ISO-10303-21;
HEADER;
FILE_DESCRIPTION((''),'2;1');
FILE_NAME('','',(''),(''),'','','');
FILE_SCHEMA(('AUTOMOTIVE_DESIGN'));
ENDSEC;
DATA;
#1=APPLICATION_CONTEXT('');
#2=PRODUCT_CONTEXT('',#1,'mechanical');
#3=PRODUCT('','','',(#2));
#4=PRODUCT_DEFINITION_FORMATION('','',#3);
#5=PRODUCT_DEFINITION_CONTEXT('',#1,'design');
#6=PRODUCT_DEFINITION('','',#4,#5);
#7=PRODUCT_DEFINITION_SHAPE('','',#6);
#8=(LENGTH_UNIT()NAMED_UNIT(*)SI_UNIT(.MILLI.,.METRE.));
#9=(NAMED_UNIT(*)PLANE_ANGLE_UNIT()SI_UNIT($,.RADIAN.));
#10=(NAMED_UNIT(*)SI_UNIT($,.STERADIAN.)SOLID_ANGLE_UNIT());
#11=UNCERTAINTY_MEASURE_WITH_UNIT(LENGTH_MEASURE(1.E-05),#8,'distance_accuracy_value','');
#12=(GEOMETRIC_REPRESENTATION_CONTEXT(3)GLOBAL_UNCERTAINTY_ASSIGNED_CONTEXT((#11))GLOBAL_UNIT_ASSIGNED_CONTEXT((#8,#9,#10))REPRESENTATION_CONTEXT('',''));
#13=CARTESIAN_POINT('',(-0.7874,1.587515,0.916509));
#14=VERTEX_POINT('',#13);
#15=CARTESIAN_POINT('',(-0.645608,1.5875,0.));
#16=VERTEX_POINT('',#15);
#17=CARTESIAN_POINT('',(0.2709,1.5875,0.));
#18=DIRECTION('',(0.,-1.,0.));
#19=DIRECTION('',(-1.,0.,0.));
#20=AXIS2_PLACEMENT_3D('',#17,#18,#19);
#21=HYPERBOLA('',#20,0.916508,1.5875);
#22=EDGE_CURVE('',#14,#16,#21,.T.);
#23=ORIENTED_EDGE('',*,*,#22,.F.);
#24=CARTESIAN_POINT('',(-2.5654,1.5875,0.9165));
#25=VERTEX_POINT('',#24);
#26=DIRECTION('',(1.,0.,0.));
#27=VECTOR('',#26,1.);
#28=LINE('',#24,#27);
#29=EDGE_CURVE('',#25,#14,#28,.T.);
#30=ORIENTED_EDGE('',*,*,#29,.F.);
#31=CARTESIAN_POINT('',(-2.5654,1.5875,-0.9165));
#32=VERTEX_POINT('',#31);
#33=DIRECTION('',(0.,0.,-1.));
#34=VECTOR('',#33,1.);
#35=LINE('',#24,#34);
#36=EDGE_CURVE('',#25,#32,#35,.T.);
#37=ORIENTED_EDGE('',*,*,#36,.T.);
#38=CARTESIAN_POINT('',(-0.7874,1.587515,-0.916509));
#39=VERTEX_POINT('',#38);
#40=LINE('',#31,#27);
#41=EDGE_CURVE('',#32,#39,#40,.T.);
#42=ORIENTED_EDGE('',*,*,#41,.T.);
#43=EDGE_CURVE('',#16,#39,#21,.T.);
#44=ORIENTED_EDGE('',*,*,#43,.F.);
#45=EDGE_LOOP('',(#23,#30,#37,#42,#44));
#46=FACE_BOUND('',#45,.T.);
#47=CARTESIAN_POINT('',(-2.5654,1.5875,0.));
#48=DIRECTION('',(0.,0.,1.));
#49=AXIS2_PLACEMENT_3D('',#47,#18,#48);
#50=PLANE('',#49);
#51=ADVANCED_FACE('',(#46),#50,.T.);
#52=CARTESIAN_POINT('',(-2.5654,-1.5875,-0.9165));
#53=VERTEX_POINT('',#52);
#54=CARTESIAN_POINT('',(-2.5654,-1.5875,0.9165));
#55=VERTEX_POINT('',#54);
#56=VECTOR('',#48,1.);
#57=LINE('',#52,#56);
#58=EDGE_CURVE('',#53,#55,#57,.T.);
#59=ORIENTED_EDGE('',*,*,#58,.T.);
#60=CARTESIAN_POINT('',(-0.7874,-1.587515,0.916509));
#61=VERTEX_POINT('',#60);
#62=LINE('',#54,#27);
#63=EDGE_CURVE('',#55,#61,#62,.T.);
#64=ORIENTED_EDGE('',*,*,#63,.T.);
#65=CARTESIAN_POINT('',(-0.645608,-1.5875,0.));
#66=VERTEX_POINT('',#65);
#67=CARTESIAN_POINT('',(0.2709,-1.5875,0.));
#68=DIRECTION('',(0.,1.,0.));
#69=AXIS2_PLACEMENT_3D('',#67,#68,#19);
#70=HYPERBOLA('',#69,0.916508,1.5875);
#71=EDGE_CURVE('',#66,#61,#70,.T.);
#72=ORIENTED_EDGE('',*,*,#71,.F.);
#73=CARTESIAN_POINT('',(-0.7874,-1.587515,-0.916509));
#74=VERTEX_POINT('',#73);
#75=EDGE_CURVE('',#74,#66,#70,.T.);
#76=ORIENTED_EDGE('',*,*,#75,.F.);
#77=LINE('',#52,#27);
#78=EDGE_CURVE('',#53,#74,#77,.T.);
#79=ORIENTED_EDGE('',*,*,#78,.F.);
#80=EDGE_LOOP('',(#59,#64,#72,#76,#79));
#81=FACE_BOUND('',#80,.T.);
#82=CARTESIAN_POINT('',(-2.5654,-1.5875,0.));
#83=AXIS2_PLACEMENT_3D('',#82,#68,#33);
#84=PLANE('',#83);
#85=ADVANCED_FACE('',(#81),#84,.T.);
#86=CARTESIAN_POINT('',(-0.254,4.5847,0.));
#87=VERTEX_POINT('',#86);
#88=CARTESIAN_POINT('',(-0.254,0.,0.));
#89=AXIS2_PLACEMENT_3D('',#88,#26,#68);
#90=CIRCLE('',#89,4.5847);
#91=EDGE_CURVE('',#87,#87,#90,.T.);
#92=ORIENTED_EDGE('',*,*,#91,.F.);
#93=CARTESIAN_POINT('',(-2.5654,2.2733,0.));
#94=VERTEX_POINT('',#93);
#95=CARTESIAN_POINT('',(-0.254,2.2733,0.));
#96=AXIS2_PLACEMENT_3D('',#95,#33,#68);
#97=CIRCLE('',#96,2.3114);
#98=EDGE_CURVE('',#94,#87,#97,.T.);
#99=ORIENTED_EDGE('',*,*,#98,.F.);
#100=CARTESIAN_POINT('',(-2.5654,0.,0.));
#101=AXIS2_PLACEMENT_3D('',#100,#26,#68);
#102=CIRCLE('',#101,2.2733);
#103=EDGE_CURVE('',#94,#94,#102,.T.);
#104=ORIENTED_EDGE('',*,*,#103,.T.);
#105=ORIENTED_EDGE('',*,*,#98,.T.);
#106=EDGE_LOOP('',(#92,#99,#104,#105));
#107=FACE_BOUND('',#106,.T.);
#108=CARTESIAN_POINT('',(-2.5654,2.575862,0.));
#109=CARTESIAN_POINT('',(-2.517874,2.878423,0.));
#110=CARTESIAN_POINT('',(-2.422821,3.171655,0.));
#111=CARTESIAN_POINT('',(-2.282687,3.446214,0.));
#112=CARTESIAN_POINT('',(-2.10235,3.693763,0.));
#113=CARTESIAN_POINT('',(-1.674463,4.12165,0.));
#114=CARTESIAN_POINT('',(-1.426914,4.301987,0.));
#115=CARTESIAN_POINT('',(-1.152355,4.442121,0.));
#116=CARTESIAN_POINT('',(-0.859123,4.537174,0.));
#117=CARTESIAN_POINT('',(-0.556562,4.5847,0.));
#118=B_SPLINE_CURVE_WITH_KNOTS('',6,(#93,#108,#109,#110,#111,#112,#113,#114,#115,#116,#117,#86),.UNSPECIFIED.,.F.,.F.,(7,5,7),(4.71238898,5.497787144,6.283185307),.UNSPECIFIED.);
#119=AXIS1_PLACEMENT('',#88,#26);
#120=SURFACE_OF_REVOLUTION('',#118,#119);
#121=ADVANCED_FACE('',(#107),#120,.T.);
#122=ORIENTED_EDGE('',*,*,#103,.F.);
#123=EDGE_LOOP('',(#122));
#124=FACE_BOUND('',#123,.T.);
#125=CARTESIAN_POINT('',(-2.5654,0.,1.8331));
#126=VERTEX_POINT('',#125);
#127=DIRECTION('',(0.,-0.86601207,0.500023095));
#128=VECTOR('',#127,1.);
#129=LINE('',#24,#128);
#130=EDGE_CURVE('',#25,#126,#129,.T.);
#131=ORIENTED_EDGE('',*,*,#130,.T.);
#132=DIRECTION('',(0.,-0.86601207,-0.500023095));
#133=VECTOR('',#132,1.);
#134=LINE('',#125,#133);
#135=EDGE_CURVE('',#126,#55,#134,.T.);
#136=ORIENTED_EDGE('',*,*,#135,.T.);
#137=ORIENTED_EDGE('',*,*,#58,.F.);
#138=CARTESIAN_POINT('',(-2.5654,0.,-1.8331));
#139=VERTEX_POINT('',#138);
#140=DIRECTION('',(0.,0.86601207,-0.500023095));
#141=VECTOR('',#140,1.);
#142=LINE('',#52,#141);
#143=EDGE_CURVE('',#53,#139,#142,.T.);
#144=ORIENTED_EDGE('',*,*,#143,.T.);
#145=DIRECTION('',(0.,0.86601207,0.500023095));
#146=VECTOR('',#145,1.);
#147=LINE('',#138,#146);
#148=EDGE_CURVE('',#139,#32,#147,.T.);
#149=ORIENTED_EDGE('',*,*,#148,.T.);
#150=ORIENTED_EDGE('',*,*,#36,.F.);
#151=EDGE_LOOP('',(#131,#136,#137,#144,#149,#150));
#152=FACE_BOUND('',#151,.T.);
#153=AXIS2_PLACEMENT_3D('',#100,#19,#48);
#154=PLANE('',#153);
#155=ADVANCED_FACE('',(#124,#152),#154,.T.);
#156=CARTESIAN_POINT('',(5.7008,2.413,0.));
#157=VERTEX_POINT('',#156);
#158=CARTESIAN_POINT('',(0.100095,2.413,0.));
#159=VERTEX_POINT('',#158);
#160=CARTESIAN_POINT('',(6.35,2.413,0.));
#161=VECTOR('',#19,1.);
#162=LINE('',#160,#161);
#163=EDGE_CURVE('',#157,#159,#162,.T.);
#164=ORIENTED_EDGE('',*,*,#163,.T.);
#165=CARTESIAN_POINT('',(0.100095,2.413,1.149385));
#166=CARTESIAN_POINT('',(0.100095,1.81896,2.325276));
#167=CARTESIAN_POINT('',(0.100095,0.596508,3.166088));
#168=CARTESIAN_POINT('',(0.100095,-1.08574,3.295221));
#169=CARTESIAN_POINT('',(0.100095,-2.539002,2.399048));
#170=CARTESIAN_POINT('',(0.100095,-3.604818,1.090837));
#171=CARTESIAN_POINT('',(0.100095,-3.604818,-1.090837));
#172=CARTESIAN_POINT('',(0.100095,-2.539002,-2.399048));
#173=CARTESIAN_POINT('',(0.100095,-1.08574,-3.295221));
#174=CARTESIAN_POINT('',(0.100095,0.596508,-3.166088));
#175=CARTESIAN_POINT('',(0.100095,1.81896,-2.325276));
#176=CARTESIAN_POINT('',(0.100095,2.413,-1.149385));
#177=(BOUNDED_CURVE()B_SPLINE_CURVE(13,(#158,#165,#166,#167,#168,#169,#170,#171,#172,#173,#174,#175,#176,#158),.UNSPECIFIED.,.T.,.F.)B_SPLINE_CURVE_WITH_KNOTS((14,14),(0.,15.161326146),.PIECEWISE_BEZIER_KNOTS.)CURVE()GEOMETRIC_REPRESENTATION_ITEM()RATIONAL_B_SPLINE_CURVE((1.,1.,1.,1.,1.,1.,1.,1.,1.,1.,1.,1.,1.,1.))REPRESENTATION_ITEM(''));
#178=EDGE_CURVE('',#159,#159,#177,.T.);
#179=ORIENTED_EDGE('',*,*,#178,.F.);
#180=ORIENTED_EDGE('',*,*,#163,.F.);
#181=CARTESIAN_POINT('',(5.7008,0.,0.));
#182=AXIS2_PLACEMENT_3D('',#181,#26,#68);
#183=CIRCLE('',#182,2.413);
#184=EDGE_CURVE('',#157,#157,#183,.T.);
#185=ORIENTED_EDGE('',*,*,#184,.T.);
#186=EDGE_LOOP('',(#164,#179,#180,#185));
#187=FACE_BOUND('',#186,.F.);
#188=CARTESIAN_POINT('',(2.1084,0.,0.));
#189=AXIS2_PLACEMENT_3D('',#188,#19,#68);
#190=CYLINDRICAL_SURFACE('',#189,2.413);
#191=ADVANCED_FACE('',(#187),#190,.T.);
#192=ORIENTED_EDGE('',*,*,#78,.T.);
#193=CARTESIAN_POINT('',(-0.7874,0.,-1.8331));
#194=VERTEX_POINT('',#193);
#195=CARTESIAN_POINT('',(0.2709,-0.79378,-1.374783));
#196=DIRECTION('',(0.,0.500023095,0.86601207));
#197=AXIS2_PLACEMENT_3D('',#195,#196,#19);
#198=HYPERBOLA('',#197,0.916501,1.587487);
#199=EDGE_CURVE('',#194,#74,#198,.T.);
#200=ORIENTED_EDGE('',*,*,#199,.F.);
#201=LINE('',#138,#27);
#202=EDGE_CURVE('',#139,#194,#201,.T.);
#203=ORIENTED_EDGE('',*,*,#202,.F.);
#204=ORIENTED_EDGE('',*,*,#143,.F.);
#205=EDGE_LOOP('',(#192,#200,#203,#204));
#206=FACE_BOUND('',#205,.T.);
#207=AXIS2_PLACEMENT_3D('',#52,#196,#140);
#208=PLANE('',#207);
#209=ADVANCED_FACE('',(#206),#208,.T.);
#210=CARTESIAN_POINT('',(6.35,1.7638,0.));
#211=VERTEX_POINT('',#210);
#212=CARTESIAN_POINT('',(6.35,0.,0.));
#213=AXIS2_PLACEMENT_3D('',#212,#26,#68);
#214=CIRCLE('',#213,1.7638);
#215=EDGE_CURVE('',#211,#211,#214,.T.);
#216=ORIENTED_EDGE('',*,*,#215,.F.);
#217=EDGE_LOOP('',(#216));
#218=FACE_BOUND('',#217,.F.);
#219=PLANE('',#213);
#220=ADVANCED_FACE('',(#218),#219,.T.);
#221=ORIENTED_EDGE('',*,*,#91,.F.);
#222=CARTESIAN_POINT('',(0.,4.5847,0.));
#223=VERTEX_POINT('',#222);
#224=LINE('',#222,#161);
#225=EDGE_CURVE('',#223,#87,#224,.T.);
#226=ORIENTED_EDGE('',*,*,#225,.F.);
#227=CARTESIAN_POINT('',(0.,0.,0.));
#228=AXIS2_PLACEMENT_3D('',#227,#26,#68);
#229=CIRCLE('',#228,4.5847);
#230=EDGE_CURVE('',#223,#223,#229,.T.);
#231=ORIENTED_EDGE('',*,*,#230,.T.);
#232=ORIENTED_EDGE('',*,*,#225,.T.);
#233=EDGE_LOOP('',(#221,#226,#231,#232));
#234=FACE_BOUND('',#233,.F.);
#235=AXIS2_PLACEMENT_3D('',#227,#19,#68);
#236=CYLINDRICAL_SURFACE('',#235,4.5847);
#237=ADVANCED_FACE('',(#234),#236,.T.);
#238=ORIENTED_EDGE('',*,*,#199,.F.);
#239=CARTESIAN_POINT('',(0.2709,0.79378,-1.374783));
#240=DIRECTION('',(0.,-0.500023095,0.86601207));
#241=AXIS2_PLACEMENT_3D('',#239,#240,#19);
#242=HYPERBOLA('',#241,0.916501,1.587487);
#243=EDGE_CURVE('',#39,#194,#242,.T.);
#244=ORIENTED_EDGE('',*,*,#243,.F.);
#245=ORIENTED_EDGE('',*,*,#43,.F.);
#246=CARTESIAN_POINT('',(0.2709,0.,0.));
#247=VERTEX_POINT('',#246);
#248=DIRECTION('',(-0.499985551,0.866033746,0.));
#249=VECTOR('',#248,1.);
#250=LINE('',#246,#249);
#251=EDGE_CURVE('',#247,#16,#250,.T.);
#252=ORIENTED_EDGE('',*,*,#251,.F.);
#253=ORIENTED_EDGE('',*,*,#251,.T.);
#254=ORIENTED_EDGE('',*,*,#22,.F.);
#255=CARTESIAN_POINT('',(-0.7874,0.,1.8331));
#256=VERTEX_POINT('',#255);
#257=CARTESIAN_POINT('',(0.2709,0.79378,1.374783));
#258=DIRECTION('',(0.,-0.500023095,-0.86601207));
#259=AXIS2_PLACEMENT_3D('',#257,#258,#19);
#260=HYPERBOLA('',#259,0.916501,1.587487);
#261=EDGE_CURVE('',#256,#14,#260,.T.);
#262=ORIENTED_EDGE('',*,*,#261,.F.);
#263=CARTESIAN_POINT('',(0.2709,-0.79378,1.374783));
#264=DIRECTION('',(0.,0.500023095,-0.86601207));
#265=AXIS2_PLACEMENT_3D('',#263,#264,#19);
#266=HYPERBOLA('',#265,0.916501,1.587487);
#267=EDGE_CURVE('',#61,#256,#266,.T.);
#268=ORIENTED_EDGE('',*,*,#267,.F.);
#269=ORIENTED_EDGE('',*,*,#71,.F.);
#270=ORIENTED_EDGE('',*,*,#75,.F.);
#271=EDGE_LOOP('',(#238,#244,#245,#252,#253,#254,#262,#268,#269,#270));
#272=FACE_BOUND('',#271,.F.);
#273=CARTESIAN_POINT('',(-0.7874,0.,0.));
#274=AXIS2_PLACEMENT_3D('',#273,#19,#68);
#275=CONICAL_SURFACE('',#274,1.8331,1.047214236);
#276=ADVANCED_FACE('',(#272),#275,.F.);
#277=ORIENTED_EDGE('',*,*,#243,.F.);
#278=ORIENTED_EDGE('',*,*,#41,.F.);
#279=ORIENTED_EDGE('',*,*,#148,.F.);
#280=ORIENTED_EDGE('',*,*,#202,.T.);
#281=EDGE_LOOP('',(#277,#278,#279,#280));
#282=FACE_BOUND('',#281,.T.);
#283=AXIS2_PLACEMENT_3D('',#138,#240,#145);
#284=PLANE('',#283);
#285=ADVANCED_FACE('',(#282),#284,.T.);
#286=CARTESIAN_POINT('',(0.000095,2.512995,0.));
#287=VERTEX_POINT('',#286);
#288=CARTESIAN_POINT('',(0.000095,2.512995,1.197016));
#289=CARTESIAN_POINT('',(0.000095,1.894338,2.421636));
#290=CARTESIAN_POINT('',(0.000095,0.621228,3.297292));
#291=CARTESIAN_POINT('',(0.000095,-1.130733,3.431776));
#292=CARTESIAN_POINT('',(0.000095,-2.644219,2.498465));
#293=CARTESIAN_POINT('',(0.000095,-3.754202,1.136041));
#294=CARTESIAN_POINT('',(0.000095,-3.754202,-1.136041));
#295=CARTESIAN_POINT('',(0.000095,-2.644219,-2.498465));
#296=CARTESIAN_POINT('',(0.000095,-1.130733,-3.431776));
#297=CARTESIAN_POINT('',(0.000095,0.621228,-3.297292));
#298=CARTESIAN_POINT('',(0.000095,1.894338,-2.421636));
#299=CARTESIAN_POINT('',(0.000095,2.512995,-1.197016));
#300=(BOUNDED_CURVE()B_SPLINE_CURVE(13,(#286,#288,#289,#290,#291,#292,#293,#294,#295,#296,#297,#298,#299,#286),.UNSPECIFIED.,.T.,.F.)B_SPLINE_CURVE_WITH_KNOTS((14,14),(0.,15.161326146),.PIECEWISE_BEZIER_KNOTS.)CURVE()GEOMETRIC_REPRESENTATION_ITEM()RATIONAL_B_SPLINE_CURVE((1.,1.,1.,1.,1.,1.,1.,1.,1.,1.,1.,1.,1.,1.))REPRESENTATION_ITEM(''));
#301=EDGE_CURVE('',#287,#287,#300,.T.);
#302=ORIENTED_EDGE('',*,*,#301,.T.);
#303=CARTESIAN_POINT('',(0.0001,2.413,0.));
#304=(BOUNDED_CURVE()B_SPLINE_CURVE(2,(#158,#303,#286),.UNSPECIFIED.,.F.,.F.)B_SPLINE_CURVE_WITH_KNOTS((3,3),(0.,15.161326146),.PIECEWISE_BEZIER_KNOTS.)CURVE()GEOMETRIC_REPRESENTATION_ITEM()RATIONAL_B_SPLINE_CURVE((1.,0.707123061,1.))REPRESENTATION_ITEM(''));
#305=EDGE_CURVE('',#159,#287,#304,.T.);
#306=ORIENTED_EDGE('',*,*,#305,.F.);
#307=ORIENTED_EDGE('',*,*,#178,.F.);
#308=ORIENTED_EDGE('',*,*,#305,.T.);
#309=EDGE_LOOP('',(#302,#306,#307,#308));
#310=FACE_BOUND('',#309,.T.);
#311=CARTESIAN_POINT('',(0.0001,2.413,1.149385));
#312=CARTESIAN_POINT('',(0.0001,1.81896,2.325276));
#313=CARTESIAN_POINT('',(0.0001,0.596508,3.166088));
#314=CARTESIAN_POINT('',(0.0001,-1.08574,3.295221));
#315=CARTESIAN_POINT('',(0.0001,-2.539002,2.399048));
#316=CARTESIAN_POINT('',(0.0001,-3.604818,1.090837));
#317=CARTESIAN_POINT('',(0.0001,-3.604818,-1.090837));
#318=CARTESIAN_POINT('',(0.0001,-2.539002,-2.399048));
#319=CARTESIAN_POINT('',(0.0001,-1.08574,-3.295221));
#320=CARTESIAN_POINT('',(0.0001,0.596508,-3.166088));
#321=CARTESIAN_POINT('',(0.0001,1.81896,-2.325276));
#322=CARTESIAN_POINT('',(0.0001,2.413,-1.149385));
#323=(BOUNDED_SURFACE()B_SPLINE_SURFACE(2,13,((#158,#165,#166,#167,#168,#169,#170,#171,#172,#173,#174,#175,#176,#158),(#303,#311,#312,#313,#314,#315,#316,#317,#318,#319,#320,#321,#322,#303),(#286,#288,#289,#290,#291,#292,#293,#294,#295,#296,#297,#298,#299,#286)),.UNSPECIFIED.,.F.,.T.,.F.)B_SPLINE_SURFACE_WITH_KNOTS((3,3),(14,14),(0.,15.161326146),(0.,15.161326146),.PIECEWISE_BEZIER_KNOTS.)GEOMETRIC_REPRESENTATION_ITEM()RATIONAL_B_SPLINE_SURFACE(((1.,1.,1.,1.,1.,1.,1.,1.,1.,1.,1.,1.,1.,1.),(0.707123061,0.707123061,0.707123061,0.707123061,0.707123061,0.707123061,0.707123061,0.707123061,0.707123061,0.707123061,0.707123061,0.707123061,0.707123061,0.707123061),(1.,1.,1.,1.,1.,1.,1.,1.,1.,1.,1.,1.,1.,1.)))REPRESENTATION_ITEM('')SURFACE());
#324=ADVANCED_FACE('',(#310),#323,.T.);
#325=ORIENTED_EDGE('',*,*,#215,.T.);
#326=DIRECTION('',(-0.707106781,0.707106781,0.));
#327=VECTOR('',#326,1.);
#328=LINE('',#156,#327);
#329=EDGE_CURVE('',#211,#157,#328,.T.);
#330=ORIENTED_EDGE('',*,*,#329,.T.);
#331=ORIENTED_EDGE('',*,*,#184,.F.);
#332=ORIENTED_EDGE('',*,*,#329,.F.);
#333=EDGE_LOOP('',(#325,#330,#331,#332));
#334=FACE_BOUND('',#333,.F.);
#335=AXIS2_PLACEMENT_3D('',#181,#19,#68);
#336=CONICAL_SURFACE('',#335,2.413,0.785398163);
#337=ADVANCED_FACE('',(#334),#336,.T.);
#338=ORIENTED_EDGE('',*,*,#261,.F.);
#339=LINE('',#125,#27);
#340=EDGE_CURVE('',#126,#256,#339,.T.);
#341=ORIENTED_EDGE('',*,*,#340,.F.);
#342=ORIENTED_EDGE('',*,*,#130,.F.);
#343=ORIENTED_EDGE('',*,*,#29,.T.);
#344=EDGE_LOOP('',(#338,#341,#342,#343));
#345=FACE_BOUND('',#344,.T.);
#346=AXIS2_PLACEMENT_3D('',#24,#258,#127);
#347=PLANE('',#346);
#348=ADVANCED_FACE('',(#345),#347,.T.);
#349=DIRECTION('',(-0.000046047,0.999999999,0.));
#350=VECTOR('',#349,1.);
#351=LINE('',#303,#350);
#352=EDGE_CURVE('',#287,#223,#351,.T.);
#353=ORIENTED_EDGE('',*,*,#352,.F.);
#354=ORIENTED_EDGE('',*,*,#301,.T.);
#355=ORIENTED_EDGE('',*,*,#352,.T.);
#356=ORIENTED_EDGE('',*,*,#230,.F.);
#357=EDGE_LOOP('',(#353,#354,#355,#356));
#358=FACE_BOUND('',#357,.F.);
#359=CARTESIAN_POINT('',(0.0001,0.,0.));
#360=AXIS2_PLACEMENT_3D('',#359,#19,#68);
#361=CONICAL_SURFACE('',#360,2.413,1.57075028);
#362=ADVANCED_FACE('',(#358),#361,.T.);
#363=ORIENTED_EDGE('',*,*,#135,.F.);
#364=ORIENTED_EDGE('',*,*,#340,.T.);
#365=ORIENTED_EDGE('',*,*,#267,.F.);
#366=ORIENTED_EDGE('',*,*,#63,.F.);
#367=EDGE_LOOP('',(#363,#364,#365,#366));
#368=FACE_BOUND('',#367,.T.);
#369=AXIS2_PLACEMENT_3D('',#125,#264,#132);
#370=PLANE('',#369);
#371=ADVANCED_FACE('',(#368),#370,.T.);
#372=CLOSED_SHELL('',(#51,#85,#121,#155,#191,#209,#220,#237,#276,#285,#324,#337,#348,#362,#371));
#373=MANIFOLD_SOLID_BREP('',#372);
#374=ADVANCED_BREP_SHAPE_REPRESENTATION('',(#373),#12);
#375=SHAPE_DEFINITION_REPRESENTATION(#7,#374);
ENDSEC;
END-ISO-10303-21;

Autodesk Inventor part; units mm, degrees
ref_plane "YZ Plane" through (0, 0, 0) normal (1, 0, 0) x (0, 1, 0)
ref_plane "XZ Plane" through (0, 0, 0) normal (0, 1, 0) x (-1, 0, 0)
sketch "Sketch1" plane through (0, 0, 0) normal (0, 0, 1) x (1, 0, 0)
  line L0 (0.2709, 0) -> (6.35, 0)
  line L1 (6.35, 0) -> (6.35, 2.413)
  line L2 (6.35, 2.413) -> (2.1084, 2.413)
  line L3 (2.1084, 2.413) -> (0.0001, 2.413)
  line L4 (0.0001, 2.413) -> (0, 2.413)
  line L5 (0, 2.413) -> (0, 4.5847)
  line L6 (0, 4.5847) -> (-2.5654, 4.5847)
  line L7 (-2.5654, 4.5847) -> (-2.5654, 1.8331)
  line L8 (-2.5654, 1.8331) -> (-0.7874, 1.8331)
  line L9 (-0.7874, 1.8331) -> (0.2709, 0)
  line L10 (-4.3485, 0) -> (8.1331, 0) projected
  line L11 (0, -0.9169) -> (0, 5.5016) projected
  line L12 (2.1084, 2.413) -> (0, 2.413) construction
  dimension "d1" = 4.2416
  dimension "d2" = 2.1083
  dimension "d3" = 2.5654
  dimension "d4" = 1.778
  dimension "d5" = 60
  dimension "d6" = 4.826
  dimension "d7" = 4.826
  dimension "d8" = 3.6662
  dimension "d9" = 9.1694
  dimension "d26" = 6.35
revolve "Body" add sketch "Sketch1" angle 360 about axis through (0.2709, 0, 0) along (1, 0, 0) contours L9 L11 L3 L2 L1 L0 | L9 L8 L7 L6 L5 L11
sketch "Sketch2" plane through (-2.5654, 0, 0) normal (-1, 0, 0) x (0, 0, 1)
  circle A0 centre (0, 0) radius 1.8331 projected
  line L0 (0, -6.4186) -> (0, 6.4186) projected
  line L1 (-6.4186, 0) -> (6.4186, 0) projected
  line L2 (1.8331, 0) -> (0.9165, -1.5875)
  line L3 (0.9165, -1.5875) -> (-0.9165, -1.5875)
  line L4 (-0.9165, -1.5875) -> (-1.8331, 0)
  line L5 (-1.8331, 0) -> (-0.9165, 1.5875)
  line L6 (-0.9165, 1.5875) -> (0.9165, 1.5875)
  line L7 (0.9165, 1.5875) -> (1.8331, 0)
  point P0 (0, 0)
extrude "Slot" add sketch "Sketch2" against normal up to next contours L7 A0 | A0 L2 | L6 L0 A0 | A0 L0 L3 | L0 L6 A0 | A0 L3 L0 | L4 A0 | A0 L5
fillet "Fillet1" radius 2.3114 1 edges at (-2.5654, -4.5847, 0)
thread "Thread" size "10-24 UNC" class "2A" standard "ANSI Unified Screw Threads" length 4.2416
chamfer "Chamfer1" distance 0.6492 distance2 0.6492 1 edges at (6.35, -2.413, 0) measured on face at (6.35, -0.2686, 0.7084)
ref_plane "Work Plane1" through (29, 0, 0) normal (0, -1, 0) x (1, 0, 0)
fillet "Fillet2" radius 0.1 1 edges at (0.0001, -2.413, 0)
equation "\"d30\" = R"
equation "\"d17\" = RR"
equation "\"d13\" = GEL"
equation "\"d15\" = -0.5 * SPD + 0.5 * GD"
equation "\"d16\" = GUL"
equation "\"d1\" = GEL"
equation "\"d3\" = KOH"
equation "\"d4\" = INTI"
equation "\"d6\" = GD"
equation "\"d7\" = BDM"
equation "\"d8\" = 1.1547 * SW"
equation "\"d9\" = KOD"
equation "\"d26\" = NLG"
equation "\"GD\" = NND"
equation "\"NLG\" = 6.35"
equation "\"GEL\" = 4.2416"
equation "\"KOD\" = 9.1694"
equation "\"KOH\" = 2.5654"
equation "\"INTI\" = 1.778"
equation "\"GAL\" = 2.1082"
equation "\"GUL\" = 0.64922"
equation "\"BDM\" = NND"
equation "\"SW\" = 3.175"
equation "\"RR\" = 2.3114"
equation "\"SPD\" = 3.52755"
equation "\"R\" = 0.1"
equation "\"TOA\" = 30deg"
equation "\"GD1\" = SPD"
equation "\"THREADDIA\" = 4.826"
equation "\"KOH1\" = 0.508"
equation "\"NND\" = 4.826"
equation "\"E0\" = 3.66725"
properties part number "ANSI B18.3 - 10 - 24 x 1/4, HSBHCSI" material "Steel, Mild"
